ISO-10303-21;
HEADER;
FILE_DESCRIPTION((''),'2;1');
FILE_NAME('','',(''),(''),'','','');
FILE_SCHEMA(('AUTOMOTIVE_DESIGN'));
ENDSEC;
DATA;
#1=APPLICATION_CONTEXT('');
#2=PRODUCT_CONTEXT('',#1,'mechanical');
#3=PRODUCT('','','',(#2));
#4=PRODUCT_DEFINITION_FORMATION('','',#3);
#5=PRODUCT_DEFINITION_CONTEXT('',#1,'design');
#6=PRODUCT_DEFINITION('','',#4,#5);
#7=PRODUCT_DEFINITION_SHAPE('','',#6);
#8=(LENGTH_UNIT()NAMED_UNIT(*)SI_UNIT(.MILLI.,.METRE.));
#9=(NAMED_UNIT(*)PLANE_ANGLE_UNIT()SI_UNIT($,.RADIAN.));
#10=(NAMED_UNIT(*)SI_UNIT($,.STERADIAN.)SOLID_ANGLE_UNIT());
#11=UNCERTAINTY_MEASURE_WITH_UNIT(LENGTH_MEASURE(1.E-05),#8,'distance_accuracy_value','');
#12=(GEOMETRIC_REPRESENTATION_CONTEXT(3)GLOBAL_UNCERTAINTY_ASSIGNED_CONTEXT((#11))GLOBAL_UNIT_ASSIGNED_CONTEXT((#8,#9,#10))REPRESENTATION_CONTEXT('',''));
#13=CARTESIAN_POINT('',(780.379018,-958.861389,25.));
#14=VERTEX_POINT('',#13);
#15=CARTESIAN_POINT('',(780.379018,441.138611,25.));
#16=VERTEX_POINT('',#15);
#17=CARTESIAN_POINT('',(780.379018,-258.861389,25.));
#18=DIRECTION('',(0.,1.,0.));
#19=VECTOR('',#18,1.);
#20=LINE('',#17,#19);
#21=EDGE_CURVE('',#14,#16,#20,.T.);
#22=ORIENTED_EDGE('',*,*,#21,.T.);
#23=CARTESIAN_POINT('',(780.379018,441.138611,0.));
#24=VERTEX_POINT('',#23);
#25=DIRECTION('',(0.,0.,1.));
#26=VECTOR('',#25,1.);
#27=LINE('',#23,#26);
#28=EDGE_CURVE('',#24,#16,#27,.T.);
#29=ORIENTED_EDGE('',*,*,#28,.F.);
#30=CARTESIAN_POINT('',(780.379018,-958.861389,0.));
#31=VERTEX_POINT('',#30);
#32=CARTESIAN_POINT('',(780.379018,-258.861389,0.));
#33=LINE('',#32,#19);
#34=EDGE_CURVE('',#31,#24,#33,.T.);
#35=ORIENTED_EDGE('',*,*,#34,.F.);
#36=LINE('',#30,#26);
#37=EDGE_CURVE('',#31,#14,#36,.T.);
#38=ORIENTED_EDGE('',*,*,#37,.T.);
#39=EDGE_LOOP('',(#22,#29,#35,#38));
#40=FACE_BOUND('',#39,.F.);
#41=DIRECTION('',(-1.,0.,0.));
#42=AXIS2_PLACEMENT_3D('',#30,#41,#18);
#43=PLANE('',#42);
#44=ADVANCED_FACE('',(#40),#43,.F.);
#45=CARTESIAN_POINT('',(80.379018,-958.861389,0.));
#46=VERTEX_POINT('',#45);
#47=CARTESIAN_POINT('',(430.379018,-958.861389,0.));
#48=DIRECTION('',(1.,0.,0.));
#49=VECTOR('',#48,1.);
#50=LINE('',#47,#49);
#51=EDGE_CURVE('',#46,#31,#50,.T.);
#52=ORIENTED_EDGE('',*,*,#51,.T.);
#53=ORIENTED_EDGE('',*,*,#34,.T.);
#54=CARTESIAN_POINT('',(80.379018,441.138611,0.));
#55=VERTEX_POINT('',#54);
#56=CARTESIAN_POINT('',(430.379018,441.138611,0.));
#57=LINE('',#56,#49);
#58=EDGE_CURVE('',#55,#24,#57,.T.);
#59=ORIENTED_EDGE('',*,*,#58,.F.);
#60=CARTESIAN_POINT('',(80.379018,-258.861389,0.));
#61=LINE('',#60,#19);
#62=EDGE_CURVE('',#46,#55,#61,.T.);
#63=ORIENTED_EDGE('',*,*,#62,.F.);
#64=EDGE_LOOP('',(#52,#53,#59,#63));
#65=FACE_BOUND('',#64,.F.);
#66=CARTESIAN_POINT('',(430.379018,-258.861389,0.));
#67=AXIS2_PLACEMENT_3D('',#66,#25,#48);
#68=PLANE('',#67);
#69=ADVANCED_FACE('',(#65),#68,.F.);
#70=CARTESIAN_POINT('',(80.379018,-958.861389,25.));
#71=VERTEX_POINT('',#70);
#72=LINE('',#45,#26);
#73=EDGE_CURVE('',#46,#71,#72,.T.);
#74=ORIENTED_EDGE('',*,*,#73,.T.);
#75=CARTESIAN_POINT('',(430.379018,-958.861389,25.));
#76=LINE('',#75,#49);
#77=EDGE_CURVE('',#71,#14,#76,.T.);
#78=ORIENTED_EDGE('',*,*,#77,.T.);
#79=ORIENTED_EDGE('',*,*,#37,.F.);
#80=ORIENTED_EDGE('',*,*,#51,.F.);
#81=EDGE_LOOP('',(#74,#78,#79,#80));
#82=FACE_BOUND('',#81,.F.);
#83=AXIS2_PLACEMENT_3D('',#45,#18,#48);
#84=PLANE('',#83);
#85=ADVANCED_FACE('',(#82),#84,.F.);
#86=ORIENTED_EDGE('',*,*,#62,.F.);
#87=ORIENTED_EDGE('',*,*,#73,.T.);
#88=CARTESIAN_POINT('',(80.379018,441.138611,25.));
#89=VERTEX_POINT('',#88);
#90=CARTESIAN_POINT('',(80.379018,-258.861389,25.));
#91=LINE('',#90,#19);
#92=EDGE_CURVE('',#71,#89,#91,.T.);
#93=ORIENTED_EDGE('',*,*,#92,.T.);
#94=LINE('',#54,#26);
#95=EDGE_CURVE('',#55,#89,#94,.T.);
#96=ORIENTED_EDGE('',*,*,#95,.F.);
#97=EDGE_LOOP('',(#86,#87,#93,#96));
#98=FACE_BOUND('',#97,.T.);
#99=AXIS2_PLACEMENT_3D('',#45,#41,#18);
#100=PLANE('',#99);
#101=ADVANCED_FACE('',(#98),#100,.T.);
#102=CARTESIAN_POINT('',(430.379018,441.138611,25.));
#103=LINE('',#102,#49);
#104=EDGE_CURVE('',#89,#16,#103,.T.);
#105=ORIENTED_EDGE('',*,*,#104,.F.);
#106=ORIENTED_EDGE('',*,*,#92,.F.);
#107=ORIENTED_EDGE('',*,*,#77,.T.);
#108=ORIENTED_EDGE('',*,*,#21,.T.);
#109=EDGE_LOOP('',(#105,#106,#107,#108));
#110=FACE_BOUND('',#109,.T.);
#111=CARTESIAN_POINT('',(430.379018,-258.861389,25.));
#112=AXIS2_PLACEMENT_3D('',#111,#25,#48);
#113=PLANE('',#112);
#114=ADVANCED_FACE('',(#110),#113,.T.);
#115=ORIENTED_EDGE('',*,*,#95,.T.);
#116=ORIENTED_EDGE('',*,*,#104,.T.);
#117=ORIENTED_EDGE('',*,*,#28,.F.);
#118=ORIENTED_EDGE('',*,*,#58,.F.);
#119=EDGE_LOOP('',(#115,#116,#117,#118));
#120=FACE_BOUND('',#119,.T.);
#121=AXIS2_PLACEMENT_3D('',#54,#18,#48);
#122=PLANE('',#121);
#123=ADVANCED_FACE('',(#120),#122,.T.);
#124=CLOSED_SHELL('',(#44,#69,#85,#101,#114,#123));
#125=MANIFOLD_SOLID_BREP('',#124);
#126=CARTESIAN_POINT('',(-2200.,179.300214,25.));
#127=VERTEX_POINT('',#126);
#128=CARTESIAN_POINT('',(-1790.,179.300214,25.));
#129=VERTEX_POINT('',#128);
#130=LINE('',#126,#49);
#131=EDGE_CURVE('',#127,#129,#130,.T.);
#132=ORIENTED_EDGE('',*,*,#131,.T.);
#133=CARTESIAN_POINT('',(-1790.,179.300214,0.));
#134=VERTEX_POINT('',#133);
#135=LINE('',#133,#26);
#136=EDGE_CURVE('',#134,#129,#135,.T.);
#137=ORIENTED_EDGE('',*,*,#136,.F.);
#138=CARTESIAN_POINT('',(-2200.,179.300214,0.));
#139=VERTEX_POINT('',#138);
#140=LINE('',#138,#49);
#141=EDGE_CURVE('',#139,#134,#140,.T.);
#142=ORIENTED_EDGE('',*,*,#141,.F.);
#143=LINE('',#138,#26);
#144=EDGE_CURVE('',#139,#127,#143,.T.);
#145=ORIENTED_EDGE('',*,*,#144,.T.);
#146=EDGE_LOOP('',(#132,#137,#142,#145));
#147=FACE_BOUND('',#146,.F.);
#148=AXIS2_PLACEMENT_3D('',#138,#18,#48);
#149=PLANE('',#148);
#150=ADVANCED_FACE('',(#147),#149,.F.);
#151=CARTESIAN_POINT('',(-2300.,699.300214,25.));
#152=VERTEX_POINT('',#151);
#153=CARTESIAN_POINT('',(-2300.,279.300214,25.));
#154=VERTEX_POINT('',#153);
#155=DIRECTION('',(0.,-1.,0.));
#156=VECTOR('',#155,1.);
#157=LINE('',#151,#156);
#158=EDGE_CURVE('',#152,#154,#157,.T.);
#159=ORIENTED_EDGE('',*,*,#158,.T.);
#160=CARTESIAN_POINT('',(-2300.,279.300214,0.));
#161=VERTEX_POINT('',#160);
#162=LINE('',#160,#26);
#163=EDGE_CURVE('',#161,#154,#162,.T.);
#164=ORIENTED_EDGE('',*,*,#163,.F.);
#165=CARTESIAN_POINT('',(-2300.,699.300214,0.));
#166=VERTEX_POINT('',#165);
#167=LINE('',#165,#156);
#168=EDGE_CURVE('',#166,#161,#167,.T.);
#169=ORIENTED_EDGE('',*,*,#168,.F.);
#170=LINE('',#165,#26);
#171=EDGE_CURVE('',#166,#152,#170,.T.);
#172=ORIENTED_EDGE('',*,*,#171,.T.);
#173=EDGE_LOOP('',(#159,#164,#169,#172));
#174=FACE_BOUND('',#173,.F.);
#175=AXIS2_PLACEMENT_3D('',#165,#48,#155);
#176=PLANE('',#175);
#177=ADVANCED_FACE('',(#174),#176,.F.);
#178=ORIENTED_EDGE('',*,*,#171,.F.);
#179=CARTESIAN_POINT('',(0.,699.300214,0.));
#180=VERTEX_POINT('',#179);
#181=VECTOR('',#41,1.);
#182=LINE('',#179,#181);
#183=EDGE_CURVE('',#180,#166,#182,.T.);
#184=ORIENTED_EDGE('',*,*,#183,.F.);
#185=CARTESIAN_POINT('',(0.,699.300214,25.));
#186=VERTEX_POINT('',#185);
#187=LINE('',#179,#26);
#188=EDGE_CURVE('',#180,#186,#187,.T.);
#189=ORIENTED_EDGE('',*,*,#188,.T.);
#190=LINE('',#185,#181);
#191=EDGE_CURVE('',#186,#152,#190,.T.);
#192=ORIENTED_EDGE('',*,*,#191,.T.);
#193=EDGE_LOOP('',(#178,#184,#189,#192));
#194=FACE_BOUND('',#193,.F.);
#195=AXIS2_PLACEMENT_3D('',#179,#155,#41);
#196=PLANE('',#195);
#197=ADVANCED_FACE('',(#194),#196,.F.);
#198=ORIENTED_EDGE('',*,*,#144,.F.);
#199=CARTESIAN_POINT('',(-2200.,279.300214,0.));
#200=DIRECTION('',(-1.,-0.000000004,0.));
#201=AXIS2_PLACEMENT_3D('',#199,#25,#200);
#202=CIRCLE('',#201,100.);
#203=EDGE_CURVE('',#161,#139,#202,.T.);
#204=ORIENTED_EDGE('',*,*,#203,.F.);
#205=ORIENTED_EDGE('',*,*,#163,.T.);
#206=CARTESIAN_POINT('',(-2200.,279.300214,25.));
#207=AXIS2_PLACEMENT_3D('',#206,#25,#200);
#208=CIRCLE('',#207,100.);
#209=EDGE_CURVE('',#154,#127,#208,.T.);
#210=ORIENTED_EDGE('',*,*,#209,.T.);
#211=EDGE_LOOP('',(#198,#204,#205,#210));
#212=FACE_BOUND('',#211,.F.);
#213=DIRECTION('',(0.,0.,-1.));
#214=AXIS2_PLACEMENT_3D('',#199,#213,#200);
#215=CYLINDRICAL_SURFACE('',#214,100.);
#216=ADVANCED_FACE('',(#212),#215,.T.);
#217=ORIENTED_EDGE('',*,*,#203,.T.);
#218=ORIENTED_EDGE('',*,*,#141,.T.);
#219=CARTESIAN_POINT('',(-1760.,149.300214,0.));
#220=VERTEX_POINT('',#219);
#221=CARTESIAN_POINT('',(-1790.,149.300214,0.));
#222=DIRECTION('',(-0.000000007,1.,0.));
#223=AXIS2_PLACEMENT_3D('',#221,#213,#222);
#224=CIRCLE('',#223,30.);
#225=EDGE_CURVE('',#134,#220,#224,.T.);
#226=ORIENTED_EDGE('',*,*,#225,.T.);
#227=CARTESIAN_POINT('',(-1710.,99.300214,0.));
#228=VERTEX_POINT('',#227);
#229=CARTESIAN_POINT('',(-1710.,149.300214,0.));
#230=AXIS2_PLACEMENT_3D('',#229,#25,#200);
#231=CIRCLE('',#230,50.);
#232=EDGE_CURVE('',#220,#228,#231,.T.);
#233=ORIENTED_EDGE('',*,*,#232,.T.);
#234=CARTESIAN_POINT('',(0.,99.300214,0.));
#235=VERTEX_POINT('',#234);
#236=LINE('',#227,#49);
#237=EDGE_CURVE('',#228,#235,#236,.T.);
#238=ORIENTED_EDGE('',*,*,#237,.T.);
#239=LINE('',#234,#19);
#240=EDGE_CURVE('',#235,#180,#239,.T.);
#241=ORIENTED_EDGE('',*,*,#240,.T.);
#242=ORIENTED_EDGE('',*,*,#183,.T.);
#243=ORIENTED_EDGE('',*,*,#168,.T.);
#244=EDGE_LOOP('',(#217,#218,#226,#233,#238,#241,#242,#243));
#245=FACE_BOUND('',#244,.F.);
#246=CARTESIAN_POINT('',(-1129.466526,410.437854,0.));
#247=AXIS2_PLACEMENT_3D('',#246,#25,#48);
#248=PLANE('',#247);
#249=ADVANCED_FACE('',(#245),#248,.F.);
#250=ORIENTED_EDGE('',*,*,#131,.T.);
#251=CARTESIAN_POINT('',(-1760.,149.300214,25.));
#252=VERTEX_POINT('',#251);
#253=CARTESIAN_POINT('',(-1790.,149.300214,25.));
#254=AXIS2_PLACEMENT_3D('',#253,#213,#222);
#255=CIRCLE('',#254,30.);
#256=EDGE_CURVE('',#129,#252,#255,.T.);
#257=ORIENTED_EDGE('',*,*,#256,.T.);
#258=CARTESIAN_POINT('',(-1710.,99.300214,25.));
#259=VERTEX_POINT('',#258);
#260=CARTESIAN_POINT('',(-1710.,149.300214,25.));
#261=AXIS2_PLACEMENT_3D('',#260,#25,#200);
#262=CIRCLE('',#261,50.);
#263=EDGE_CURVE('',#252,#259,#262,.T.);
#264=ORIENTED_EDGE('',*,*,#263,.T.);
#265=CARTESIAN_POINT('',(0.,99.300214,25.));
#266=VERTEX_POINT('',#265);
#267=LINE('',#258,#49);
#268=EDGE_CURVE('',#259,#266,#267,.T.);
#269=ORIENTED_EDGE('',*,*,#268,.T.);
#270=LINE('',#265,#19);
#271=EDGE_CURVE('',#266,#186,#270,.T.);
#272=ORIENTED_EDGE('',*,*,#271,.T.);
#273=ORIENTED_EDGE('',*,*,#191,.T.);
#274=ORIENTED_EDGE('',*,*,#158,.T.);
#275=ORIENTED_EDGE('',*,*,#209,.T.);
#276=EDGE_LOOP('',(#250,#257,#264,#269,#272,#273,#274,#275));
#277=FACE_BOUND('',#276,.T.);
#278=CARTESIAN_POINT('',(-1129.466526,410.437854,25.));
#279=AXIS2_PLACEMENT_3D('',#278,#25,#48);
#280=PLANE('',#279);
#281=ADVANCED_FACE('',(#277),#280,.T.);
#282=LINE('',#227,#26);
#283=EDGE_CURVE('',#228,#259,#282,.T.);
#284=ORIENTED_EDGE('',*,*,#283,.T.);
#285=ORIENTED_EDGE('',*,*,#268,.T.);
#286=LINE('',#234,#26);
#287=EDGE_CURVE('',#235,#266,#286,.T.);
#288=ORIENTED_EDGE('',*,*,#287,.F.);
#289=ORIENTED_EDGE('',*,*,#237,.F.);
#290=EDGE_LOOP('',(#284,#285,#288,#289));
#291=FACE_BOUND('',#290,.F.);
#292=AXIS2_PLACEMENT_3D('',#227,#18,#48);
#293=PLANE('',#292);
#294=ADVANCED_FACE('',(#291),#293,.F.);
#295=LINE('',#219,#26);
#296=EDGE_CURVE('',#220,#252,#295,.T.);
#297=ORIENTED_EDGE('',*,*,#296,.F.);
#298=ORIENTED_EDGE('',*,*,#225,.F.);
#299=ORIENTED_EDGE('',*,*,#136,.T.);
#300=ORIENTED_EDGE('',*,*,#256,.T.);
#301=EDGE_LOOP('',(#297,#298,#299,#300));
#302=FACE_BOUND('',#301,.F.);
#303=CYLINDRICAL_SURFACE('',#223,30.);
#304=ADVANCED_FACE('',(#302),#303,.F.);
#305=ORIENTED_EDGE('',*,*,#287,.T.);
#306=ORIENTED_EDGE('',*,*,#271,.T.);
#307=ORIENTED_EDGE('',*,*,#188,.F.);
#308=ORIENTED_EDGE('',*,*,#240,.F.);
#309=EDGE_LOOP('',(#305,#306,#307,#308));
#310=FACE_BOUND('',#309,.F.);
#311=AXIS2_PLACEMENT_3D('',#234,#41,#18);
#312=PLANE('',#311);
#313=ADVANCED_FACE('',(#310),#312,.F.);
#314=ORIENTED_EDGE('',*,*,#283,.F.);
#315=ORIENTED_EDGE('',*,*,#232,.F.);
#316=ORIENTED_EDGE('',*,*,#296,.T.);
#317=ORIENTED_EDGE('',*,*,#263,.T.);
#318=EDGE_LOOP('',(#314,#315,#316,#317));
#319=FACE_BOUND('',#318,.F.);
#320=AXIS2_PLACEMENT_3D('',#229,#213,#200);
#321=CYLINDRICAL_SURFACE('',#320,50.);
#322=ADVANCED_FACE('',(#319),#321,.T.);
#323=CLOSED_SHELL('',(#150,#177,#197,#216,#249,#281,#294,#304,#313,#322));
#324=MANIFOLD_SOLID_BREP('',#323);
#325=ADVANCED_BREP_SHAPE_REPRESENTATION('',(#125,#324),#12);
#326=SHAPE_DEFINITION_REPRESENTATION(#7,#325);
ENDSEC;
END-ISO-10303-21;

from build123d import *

# Parameters (mm, degrees)
F2_DEPTH = 25
F1_W     = 700
F1_H     = 1400
F3_DEPTH = 25


with BuildPart() as f2:
    # F0 (on Top) → F2 (new body)
    with BuildSketch(Plane.XY):
        with BuildLine():
            Line((0, 699.300214), (-2300, 699.300214))
            Line((-2300, 699.300214), (-2300, 279.300214))
            ThreePointArc((-2300, 279.300214), (-2270.710678, 208.589536), (-2200, 179.300214))
            Line((-2200, 179.300214), (-1790, 179.300214))
            ThreePointArc((-1790, 179.300214), (-1768.786797, 170.513418), (-1760, 149.300214))
            ThreePointArc((-1760, 149.300214), (-1745.355339, 113.944875), (-1710, 99.300214))
            Line((-1710, 99.300214), (0, 99.300214))
            Line((0, 99.300214), (0, 699.300214))
        make_face()
    extrude(amount=F2_DEPTH)


with BuildPart() as f3:
    # F1 (on Top) → F3 (new body)
    with BuildSketch(Plane.XY):
        with Locations((430.379018, -258.861389)):
            Rectangle(F1_W, F1_H)
    extrude(amount=F3_DEPTH)


solid = Compound([f2.part, f3.part])
